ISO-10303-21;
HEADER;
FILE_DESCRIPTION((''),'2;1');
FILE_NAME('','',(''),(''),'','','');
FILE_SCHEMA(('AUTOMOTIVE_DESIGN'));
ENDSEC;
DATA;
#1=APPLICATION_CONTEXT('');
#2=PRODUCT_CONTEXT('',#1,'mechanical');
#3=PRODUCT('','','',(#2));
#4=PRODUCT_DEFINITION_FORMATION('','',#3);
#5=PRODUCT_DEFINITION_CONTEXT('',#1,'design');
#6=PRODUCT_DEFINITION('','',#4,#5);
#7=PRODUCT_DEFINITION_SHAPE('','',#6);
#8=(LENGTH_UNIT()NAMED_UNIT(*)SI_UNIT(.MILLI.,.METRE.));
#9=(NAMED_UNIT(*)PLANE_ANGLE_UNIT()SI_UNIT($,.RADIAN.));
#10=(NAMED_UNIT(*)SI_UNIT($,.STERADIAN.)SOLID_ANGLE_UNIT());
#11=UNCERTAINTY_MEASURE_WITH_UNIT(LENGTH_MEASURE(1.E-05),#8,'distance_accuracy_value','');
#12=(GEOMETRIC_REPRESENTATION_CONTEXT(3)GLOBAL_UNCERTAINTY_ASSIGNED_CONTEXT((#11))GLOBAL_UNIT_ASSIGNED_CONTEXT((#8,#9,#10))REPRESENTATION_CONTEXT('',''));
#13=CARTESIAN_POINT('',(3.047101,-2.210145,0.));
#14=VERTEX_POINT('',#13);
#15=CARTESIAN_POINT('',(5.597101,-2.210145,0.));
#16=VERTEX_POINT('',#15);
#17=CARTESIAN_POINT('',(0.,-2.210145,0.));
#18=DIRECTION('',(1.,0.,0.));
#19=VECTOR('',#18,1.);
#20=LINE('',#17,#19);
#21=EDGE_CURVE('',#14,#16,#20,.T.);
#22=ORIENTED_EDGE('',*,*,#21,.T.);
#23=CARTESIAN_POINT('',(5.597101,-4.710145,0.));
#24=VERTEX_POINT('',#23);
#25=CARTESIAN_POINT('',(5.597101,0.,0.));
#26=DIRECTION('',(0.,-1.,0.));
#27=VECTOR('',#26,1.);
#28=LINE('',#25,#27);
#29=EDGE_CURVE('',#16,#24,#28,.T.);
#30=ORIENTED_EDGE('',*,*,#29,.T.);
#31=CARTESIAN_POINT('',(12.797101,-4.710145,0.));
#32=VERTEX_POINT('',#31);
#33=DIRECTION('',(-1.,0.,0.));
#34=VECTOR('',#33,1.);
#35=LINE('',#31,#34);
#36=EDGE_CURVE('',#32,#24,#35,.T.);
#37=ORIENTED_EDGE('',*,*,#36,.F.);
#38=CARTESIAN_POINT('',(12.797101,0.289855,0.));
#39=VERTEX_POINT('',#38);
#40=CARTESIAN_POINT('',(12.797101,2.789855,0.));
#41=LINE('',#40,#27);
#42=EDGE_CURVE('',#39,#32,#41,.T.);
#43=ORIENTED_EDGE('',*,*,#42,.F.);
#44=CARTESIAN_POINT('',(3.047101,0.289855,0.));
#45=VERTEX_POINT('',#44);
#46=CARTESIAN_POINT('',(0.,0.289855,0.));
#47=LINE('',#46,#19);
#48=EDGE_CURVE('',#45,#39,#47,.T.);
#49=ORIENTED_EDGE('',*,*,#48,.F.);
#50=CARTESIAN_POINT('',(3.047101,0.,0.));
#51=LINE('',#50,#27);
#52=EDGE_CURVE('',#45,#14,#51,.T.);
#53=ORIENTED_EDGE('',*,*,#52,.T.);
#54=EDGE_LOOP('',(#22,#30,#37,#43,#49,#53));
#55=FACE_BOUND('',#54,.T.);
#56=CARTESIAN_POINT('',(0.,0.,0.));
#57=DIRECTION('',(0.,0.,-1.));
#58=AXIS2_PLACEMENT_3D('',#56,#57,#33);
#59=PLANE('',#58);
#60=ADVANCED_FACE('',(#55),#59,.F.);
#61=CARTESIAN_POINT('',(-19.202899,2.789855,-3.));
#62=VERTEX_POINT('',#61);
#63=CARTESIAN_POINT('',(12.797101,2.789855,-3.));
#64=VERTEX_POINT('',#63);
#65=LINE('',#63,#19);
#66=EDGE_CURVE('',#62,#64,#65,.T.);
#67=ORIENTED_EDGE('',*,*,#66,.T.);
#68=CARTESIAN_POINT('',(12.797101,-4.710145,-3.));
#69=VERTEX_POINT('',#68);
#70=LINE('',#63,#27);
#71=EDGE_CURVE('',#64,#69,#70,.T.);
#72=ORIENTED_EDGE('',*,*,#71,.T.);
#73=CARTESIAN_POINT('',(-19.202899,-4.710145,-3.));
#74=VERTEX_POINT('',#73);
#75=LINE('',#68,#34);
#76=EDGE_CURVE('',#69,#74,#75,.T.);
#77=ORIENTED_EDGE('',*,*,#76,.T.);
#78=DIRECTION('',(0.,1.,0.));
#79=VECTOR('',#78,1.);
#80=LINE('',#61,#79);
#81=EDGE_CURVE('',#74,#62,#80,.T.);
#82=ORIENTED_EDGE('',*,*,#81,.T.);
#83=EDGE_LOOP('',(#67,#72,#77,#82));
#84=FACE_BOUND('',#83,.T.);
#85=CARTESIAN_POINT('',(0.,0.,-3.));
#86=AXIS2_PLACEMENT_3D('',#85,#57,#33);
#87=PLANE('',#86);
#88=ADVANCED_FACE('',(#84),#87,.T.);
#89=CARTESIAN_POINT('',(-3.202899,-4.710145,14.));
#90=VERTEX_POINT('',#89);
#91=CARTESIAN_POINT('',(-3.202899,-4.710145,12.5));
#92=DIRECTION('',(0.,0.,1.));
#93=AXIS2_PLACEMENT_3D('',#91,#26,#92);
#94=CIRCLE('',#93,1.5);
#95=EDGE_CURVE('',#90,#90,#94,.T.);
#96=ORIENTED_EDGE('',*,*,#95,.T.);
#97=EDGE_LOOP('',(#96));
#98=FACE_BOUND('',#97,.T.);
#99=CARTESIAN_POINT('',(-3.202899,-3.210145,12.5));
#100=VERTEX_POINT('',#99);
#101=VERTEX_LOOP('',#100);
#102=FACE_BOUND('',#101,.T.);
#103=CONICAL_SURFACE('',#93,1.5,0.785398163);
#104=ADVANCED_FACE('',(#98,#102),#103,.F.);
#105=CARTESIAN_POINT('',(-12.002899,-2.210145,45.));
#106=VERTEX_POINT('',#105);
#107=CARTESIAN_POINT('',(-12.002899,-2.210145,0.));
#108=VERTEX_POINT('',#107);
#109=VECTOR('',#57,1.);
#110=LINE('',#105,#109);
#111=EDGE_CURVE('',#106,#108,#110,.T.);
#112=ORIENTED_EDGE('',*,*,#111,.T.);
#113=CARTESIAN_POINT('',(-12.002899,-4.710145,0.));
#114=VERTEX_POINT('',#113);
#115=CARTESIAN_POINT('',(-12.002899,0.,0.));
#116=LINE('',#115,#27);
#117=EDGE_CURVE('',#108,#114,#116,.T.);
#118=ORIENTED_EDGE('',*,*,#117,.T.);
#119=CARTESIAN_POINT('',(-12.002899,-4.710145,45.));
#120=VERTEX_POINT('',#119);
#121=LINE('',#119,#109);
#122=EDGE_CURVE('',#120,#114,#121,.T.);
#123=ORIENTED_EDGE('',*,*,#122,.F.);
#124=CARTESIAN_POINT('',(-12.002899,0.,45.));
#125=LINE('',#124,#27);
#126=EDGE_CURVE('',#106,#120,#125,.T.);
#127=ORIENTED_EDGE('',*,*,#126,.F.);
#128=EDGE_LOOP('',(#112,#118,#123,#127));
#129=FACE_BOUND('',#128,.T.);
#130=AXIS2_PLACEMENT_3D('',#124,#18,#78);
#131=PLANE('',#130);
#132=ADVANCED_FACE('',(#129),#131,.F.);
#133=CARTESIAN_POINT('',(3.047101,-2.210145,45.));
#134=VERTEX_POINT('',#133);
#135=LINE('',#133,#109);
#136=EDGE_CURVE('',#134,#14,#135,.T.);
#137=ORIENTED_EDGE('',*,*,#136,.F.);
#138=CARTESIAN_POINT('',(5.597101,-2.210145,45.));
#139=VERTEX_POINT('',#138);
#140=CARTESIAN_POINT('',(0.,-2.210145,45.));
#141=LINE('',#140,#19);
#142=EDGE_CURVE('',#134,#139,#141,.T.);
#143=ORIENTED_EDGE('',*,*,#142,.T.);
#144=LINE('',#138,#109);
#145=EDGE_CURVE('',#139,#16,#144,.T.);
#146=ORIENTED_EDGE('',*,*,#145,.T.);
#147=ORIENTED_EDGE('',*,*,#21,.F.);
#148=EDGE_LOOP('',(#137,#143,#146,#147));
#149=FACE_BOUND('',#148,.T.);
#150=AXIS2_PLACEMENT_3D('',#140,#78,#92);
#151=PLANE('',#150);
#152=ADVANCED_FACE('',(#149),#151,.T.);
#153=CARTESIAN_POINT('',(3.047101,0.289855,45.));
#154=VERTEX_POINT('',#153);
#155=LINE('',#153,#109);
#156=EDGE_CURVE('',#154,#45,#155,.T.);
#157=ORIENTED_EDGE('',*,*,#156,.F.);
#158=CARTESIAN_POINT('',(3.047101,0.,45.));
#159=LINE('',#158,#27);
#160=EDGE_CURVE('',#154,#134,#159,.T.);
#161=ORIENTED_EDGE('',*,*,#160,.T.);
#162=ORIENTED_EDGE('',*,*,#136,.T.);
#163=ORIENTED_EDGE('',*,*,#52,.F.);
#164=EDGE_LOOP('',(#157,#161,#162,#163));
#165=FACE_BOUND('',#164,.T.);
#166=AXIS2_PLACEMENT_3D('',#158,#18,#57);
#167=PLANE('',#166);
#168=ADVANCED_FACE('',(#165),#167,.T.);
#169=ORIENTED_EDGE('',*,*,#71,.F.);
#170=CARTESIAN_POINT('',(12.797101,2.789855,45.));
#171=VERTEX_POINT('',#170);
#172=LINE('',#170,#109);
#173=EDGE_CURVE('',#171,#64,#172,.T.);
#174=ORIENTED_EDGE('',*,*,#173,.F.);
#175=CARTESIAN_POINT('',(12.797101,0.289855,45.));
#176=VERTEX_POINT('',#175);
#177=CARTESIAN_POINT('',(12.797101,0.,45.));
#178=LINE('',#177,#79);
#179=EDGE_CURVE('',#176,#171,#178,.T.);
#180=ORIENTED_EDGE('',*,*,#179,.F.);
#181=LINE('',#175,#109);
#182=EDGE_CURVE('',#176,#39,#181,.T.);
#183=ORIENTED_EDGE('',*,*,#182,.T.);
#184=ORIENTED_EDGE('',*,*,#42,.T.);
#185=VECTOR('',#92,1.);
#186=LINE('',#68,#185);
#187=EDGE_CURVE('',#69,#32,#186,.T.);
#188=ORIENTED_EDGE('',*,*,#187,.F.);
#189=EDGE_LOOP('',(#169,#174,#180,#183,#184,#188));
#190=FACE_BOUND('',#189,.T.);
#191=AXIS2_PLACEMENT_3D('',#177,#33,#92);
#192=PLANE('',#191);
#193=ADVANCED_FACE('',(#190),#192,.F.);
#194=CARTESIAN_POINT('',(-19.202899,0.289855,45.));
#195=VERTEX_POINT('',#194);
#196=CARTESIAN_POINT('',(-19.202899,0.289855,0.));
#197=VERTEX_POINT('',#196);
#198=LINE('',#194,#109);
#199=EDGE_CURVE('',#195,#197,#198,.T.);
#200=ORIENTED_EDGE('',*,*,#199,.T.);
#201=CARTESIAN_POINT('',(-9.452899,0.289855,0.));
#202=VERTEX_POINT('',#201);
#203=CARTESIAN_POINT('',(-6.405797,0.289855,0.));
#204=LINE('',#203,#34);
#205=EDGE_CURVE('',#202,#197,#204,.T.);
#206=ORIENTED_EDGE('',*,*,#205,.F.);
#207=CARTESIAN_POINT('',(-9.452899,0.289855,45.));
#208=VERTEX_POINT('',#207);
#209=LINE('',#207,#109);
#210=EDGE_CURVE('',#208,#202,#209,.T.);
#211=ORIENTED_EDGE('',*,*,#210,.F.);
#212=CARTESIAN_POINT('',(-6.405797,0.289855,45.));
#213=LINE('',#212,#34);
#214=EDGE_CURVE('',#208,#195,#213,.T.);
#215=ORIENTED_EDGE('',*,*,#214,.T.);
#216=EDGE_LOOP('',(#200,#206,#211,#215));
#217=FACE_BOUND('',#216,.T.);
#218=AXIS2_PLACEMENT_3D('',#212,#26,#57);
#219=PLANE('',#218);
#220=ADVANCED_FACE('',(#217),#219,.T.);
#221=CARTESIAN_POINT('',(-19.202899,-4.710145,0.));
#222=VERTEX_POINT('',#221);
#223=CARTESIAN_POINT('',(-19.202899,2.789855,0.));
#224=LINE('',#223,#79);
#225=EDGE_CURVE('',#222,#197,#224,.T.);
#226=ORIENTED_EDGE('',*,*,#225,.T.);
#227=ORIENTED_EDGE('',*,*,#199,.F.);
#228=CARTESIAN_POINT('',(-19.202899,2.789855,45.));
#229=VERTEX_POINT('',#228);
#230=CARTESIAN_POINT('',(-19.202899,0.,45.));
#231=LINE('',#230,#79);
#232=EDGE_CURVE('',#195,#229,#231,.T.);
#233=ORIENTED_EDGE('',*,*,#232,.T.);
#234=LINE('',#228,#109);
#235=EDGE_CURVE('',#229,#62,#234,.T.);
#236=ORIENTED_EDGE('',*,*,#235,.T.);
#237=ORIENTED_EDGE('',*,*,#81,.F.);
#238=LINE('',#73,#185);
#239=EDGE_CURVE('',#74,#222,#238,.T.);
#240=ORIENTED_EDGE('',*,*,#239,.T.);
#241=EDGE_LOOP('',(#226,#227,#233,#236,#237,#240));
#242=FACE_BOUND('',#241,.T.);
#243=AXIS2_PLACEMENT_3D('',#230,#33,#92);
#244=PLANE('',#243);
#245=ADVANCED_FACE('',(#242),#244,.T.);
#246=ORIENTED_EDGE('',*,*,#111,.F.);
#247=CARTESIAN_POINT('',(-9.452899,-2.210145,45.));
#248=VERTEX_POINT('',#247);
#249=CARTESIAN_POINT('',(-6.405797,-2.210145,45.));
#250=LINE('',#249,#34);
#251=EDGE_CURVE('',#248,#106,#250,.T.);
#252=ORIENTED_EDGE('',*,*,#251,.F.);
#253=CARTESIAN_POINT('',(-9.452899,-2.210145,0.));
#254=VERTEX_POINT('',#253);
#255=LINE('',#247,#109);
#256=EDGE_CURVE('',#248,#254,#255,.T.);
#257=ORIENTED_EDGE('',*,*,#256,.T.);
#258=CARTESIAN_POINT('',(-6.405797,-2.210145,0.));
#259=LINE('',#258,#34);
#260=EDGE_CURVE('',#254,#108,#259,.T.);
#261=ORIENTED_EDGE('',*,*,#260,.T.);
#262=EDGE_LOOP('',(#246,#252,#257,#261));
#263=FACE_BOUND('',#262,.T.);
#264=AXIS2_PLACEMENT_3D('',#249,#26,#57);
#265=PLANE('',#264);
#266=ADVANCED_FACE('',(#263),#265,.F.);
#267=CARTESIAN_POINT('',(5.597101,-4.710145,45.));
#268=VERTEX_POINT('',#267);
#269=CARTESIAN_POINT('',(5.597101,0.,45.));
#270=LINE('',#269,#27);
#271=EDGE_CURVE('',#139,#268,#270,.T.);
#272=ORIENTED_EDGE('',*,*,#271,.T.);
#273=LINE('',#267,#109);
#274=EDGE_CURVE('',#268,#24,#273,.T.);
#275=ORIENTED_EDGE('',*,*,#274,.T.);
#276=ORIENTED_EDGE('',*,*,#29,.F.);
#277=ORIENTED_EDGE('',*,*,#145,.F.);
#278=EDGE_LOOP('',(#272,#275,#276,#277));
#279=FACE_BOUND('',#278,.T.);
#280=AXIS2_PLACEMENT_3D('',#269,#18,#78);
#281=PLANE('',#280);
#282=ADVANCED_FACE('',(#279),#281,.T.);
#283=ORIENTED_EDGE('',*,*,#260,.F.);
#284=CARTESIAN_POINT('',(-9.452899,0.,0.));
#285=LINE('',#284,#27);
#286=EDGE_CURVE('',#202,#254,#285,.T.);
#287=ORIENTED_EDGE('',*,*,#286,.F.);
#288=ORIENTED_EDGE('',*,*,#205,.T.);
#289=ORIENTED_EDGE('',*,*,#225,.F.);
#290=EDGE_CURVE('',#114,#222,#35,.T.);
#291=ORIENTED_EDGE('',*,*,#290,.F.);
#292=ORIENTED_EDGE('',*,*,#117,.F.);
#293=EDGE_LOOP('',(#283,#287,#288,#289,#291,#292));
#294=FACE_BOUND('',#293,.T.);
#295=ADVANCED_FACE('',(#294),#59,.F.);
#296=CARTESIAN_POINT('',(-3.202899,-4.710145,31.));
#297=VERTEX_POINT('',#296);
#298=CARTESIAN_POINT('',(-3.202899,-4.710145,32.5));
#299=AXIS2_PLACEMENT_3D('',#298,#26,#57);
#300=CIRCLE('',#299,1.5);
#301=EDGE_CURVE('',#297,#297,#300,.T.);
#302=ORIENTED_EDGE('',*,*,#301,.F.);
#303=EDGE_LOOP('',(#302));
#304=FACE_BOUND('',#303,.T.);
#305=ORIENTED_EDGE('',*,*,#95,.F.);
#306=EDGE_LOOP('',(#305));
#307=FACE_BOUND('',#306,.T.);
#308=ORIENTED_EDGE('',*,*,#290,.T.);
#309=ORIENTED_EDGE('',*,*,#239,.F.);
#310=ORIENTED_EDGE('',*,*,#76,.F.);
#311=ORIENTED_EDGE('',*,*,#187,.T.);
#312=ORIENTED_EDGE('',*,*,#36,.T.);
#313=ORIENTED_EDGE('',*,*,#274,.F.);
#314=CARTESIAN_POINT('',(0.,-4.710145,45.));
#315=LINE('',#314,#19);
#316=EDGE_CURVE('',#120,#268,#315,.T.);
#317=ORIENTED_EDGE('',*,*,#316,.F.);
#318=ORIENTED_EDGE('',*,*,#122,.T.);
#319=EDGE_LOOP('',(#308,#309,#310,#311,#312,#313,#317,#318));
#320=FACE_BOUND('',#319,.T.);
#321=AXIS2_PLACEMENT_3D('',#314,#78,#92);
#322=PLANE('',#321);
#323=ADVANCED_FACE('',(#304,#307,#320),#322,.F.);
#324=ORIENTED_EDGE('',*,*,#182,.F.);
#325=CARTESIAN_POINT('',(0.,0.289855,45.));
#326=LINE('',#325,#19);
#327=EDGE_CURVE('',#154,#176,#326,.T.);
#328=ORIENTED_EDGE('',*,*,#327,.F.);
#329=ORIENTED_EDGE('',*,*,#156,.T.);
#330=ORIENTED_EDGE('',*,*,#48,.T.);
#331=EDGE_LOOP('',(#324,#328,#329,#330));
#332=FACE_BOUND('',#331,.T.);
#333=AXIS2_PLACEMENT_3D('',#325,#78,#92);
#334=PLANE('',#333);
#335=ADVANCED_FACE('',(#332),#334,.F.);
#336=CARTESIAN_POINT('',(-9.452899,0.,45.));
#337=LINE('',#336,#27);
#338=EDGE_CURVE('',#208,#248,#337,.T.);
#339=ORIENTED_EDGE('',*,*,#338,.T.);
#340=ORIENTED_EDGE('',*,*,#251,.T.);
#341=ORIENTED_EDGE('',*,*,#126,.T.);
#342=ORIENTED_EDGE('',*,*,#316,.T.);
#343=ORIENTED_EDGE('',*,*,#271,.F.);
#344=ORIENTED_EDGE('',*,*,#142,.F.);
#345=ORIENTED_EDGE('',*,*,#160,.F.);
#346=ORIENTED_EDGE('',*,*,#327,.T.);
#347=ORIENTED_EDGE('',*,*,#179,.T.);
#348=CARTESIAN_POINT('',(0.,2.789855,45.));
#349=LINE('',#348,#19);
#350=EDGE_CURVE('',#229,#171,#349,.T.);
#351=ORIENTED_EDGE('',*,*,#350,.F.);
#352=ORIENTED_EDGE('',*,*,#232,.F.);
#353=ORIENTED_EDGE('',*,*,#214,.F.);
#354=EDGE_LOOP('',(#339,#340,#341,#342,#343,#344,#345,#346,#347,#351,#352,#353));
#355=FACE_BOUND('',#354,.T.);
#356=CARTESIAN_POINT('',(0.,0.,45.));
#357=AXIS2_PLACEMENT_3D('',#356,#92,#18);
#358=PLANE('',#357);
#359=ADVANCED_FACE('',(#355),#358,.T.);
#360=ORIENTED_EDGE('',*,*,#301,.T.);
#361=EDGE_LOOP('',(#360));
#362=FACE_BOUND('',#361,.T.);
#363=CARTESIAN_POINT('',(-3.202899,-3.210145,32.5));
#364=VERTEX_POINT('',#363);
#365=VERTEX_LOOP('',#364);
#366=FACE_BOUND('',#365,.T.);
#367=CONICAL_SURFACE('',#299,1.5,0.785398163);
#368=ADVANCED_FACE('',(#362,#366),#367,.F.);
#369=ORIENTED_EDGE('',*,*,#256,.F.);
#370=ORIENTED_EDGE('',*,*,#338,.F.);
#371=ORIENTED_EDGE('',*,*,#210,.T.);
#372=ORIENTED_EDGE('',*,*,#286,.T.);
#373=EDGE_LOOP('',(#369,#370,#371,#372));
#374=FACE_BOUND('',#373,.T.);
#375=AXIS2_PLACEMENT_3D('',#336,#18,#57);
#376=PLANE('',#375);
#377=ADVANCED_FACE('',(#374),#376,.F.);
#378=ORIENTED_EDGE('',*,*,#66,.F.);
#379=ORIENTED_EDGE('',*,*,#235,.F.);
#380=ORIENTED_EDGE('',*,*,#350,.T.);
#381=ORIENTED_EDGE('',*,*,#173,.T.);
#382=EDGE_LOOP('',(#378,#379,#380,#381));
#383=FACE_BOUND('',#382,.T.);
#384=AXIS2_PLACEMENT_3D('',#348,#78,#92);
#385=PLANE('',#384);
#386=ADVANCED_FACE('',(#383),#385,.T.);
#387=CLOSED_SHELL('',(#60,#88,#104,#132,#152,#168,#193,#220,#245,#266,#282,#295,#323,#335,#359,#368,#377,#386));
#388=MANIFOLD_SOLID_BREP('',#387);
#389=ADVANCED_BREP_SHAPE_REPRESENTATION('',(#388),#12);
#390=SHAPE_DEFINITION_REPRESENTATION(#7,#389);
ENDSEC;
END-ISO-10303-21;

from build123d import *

# Parameters (mm, degrees)
SKETCH1_W           = 6.25
SKETCH1_H           = 2.5
SKETCH1_W_2         = 8.8
BOSS_EXTRUDE1_DEPTH = 45
SKETCH9_W           = 32
SKETCH9_H           = 7.5
BOSS_EXTRUDE3_DEPTH = 3


with BuildPart() as part:
    # Sketch1 → Boss-Extrude1 (new body)
    with BuildSketch(Plane.XY):
        Polygon((-3.202898551, 2.789855072), (-3.202898551, 0.289855072), (3.047101449, 0.289855072), (12.797101449, 0.289855072), (12.797101449, 2.789855072), align=None)
        with Locations((-0.077898551, -0.960144928)):
            Rectangle(SKETCH1_W, SKETCH1_H)
        with Locations((1.197101449, -3.460144928)):
            Rectangle(SKETCH1_W_2, SKETCH1_H)
    boss_extrude1 = extrude(amount=BOSS_EXTRUDE1_DEPTH)

    # Mirror1: Boss-Extrude1 across plane
    add(boss_extrude1.mirror(Plane(origin=(-3.202898551, 0, 45), x_dir=(0, 0, 1), z_dir=(-1, 0, 0))))

    # Cut-Extrude2 cone 1 section (through the dimple's axis) → Cut-Extrude2 (revolve, cut)
    with BuildSketch(Plane(origin=(-3.202898551, -4.710144928, 32.5), x_dir=(0, 0, -1), z_dir=(1, 0, 0))):
        Polygon((0, 0), (1.5, 0), (0, 1.5), align=None)
    revolve(axis=Axis((-3.202898551, -4.710144928, 32.5), (0, 1, 0)), mode=Mode.SUBTRACT)

    # Cut-Extrude2 cone 2 section (through the dimple's axis) → Cut-Extrude2 cone 2 (revolve, cut)
    with BuildSketch(Plane(origin=(-3.202898551, -4.710144928, 12.5), x_dir=(0, 0, -1), z_dir=(1, 0, 0))):
        Polygon((0, 0), (1.5, 0), (0, 1.5), align=None)
    revolve(axis=Axis((-3.202898551, -4.710144928, 12.5), (0, 1, 0)), mode=Mode.SUBTRACT)

    # Sketch9 → Boss-Extrude3 (add)
    with BuildSketch(Plane(origin=(0, 0, 0), x_dir=(-1, 0, 0), z_dir=(0, 0, -1))):
        with Locations((3.202898551, -0.960144928)):
            Rectangle(SKETCH9_W, SKETCH9_H)
    extrude(amount=BOSS_EXTRUDE3_DEPTH)


solid = part.part
